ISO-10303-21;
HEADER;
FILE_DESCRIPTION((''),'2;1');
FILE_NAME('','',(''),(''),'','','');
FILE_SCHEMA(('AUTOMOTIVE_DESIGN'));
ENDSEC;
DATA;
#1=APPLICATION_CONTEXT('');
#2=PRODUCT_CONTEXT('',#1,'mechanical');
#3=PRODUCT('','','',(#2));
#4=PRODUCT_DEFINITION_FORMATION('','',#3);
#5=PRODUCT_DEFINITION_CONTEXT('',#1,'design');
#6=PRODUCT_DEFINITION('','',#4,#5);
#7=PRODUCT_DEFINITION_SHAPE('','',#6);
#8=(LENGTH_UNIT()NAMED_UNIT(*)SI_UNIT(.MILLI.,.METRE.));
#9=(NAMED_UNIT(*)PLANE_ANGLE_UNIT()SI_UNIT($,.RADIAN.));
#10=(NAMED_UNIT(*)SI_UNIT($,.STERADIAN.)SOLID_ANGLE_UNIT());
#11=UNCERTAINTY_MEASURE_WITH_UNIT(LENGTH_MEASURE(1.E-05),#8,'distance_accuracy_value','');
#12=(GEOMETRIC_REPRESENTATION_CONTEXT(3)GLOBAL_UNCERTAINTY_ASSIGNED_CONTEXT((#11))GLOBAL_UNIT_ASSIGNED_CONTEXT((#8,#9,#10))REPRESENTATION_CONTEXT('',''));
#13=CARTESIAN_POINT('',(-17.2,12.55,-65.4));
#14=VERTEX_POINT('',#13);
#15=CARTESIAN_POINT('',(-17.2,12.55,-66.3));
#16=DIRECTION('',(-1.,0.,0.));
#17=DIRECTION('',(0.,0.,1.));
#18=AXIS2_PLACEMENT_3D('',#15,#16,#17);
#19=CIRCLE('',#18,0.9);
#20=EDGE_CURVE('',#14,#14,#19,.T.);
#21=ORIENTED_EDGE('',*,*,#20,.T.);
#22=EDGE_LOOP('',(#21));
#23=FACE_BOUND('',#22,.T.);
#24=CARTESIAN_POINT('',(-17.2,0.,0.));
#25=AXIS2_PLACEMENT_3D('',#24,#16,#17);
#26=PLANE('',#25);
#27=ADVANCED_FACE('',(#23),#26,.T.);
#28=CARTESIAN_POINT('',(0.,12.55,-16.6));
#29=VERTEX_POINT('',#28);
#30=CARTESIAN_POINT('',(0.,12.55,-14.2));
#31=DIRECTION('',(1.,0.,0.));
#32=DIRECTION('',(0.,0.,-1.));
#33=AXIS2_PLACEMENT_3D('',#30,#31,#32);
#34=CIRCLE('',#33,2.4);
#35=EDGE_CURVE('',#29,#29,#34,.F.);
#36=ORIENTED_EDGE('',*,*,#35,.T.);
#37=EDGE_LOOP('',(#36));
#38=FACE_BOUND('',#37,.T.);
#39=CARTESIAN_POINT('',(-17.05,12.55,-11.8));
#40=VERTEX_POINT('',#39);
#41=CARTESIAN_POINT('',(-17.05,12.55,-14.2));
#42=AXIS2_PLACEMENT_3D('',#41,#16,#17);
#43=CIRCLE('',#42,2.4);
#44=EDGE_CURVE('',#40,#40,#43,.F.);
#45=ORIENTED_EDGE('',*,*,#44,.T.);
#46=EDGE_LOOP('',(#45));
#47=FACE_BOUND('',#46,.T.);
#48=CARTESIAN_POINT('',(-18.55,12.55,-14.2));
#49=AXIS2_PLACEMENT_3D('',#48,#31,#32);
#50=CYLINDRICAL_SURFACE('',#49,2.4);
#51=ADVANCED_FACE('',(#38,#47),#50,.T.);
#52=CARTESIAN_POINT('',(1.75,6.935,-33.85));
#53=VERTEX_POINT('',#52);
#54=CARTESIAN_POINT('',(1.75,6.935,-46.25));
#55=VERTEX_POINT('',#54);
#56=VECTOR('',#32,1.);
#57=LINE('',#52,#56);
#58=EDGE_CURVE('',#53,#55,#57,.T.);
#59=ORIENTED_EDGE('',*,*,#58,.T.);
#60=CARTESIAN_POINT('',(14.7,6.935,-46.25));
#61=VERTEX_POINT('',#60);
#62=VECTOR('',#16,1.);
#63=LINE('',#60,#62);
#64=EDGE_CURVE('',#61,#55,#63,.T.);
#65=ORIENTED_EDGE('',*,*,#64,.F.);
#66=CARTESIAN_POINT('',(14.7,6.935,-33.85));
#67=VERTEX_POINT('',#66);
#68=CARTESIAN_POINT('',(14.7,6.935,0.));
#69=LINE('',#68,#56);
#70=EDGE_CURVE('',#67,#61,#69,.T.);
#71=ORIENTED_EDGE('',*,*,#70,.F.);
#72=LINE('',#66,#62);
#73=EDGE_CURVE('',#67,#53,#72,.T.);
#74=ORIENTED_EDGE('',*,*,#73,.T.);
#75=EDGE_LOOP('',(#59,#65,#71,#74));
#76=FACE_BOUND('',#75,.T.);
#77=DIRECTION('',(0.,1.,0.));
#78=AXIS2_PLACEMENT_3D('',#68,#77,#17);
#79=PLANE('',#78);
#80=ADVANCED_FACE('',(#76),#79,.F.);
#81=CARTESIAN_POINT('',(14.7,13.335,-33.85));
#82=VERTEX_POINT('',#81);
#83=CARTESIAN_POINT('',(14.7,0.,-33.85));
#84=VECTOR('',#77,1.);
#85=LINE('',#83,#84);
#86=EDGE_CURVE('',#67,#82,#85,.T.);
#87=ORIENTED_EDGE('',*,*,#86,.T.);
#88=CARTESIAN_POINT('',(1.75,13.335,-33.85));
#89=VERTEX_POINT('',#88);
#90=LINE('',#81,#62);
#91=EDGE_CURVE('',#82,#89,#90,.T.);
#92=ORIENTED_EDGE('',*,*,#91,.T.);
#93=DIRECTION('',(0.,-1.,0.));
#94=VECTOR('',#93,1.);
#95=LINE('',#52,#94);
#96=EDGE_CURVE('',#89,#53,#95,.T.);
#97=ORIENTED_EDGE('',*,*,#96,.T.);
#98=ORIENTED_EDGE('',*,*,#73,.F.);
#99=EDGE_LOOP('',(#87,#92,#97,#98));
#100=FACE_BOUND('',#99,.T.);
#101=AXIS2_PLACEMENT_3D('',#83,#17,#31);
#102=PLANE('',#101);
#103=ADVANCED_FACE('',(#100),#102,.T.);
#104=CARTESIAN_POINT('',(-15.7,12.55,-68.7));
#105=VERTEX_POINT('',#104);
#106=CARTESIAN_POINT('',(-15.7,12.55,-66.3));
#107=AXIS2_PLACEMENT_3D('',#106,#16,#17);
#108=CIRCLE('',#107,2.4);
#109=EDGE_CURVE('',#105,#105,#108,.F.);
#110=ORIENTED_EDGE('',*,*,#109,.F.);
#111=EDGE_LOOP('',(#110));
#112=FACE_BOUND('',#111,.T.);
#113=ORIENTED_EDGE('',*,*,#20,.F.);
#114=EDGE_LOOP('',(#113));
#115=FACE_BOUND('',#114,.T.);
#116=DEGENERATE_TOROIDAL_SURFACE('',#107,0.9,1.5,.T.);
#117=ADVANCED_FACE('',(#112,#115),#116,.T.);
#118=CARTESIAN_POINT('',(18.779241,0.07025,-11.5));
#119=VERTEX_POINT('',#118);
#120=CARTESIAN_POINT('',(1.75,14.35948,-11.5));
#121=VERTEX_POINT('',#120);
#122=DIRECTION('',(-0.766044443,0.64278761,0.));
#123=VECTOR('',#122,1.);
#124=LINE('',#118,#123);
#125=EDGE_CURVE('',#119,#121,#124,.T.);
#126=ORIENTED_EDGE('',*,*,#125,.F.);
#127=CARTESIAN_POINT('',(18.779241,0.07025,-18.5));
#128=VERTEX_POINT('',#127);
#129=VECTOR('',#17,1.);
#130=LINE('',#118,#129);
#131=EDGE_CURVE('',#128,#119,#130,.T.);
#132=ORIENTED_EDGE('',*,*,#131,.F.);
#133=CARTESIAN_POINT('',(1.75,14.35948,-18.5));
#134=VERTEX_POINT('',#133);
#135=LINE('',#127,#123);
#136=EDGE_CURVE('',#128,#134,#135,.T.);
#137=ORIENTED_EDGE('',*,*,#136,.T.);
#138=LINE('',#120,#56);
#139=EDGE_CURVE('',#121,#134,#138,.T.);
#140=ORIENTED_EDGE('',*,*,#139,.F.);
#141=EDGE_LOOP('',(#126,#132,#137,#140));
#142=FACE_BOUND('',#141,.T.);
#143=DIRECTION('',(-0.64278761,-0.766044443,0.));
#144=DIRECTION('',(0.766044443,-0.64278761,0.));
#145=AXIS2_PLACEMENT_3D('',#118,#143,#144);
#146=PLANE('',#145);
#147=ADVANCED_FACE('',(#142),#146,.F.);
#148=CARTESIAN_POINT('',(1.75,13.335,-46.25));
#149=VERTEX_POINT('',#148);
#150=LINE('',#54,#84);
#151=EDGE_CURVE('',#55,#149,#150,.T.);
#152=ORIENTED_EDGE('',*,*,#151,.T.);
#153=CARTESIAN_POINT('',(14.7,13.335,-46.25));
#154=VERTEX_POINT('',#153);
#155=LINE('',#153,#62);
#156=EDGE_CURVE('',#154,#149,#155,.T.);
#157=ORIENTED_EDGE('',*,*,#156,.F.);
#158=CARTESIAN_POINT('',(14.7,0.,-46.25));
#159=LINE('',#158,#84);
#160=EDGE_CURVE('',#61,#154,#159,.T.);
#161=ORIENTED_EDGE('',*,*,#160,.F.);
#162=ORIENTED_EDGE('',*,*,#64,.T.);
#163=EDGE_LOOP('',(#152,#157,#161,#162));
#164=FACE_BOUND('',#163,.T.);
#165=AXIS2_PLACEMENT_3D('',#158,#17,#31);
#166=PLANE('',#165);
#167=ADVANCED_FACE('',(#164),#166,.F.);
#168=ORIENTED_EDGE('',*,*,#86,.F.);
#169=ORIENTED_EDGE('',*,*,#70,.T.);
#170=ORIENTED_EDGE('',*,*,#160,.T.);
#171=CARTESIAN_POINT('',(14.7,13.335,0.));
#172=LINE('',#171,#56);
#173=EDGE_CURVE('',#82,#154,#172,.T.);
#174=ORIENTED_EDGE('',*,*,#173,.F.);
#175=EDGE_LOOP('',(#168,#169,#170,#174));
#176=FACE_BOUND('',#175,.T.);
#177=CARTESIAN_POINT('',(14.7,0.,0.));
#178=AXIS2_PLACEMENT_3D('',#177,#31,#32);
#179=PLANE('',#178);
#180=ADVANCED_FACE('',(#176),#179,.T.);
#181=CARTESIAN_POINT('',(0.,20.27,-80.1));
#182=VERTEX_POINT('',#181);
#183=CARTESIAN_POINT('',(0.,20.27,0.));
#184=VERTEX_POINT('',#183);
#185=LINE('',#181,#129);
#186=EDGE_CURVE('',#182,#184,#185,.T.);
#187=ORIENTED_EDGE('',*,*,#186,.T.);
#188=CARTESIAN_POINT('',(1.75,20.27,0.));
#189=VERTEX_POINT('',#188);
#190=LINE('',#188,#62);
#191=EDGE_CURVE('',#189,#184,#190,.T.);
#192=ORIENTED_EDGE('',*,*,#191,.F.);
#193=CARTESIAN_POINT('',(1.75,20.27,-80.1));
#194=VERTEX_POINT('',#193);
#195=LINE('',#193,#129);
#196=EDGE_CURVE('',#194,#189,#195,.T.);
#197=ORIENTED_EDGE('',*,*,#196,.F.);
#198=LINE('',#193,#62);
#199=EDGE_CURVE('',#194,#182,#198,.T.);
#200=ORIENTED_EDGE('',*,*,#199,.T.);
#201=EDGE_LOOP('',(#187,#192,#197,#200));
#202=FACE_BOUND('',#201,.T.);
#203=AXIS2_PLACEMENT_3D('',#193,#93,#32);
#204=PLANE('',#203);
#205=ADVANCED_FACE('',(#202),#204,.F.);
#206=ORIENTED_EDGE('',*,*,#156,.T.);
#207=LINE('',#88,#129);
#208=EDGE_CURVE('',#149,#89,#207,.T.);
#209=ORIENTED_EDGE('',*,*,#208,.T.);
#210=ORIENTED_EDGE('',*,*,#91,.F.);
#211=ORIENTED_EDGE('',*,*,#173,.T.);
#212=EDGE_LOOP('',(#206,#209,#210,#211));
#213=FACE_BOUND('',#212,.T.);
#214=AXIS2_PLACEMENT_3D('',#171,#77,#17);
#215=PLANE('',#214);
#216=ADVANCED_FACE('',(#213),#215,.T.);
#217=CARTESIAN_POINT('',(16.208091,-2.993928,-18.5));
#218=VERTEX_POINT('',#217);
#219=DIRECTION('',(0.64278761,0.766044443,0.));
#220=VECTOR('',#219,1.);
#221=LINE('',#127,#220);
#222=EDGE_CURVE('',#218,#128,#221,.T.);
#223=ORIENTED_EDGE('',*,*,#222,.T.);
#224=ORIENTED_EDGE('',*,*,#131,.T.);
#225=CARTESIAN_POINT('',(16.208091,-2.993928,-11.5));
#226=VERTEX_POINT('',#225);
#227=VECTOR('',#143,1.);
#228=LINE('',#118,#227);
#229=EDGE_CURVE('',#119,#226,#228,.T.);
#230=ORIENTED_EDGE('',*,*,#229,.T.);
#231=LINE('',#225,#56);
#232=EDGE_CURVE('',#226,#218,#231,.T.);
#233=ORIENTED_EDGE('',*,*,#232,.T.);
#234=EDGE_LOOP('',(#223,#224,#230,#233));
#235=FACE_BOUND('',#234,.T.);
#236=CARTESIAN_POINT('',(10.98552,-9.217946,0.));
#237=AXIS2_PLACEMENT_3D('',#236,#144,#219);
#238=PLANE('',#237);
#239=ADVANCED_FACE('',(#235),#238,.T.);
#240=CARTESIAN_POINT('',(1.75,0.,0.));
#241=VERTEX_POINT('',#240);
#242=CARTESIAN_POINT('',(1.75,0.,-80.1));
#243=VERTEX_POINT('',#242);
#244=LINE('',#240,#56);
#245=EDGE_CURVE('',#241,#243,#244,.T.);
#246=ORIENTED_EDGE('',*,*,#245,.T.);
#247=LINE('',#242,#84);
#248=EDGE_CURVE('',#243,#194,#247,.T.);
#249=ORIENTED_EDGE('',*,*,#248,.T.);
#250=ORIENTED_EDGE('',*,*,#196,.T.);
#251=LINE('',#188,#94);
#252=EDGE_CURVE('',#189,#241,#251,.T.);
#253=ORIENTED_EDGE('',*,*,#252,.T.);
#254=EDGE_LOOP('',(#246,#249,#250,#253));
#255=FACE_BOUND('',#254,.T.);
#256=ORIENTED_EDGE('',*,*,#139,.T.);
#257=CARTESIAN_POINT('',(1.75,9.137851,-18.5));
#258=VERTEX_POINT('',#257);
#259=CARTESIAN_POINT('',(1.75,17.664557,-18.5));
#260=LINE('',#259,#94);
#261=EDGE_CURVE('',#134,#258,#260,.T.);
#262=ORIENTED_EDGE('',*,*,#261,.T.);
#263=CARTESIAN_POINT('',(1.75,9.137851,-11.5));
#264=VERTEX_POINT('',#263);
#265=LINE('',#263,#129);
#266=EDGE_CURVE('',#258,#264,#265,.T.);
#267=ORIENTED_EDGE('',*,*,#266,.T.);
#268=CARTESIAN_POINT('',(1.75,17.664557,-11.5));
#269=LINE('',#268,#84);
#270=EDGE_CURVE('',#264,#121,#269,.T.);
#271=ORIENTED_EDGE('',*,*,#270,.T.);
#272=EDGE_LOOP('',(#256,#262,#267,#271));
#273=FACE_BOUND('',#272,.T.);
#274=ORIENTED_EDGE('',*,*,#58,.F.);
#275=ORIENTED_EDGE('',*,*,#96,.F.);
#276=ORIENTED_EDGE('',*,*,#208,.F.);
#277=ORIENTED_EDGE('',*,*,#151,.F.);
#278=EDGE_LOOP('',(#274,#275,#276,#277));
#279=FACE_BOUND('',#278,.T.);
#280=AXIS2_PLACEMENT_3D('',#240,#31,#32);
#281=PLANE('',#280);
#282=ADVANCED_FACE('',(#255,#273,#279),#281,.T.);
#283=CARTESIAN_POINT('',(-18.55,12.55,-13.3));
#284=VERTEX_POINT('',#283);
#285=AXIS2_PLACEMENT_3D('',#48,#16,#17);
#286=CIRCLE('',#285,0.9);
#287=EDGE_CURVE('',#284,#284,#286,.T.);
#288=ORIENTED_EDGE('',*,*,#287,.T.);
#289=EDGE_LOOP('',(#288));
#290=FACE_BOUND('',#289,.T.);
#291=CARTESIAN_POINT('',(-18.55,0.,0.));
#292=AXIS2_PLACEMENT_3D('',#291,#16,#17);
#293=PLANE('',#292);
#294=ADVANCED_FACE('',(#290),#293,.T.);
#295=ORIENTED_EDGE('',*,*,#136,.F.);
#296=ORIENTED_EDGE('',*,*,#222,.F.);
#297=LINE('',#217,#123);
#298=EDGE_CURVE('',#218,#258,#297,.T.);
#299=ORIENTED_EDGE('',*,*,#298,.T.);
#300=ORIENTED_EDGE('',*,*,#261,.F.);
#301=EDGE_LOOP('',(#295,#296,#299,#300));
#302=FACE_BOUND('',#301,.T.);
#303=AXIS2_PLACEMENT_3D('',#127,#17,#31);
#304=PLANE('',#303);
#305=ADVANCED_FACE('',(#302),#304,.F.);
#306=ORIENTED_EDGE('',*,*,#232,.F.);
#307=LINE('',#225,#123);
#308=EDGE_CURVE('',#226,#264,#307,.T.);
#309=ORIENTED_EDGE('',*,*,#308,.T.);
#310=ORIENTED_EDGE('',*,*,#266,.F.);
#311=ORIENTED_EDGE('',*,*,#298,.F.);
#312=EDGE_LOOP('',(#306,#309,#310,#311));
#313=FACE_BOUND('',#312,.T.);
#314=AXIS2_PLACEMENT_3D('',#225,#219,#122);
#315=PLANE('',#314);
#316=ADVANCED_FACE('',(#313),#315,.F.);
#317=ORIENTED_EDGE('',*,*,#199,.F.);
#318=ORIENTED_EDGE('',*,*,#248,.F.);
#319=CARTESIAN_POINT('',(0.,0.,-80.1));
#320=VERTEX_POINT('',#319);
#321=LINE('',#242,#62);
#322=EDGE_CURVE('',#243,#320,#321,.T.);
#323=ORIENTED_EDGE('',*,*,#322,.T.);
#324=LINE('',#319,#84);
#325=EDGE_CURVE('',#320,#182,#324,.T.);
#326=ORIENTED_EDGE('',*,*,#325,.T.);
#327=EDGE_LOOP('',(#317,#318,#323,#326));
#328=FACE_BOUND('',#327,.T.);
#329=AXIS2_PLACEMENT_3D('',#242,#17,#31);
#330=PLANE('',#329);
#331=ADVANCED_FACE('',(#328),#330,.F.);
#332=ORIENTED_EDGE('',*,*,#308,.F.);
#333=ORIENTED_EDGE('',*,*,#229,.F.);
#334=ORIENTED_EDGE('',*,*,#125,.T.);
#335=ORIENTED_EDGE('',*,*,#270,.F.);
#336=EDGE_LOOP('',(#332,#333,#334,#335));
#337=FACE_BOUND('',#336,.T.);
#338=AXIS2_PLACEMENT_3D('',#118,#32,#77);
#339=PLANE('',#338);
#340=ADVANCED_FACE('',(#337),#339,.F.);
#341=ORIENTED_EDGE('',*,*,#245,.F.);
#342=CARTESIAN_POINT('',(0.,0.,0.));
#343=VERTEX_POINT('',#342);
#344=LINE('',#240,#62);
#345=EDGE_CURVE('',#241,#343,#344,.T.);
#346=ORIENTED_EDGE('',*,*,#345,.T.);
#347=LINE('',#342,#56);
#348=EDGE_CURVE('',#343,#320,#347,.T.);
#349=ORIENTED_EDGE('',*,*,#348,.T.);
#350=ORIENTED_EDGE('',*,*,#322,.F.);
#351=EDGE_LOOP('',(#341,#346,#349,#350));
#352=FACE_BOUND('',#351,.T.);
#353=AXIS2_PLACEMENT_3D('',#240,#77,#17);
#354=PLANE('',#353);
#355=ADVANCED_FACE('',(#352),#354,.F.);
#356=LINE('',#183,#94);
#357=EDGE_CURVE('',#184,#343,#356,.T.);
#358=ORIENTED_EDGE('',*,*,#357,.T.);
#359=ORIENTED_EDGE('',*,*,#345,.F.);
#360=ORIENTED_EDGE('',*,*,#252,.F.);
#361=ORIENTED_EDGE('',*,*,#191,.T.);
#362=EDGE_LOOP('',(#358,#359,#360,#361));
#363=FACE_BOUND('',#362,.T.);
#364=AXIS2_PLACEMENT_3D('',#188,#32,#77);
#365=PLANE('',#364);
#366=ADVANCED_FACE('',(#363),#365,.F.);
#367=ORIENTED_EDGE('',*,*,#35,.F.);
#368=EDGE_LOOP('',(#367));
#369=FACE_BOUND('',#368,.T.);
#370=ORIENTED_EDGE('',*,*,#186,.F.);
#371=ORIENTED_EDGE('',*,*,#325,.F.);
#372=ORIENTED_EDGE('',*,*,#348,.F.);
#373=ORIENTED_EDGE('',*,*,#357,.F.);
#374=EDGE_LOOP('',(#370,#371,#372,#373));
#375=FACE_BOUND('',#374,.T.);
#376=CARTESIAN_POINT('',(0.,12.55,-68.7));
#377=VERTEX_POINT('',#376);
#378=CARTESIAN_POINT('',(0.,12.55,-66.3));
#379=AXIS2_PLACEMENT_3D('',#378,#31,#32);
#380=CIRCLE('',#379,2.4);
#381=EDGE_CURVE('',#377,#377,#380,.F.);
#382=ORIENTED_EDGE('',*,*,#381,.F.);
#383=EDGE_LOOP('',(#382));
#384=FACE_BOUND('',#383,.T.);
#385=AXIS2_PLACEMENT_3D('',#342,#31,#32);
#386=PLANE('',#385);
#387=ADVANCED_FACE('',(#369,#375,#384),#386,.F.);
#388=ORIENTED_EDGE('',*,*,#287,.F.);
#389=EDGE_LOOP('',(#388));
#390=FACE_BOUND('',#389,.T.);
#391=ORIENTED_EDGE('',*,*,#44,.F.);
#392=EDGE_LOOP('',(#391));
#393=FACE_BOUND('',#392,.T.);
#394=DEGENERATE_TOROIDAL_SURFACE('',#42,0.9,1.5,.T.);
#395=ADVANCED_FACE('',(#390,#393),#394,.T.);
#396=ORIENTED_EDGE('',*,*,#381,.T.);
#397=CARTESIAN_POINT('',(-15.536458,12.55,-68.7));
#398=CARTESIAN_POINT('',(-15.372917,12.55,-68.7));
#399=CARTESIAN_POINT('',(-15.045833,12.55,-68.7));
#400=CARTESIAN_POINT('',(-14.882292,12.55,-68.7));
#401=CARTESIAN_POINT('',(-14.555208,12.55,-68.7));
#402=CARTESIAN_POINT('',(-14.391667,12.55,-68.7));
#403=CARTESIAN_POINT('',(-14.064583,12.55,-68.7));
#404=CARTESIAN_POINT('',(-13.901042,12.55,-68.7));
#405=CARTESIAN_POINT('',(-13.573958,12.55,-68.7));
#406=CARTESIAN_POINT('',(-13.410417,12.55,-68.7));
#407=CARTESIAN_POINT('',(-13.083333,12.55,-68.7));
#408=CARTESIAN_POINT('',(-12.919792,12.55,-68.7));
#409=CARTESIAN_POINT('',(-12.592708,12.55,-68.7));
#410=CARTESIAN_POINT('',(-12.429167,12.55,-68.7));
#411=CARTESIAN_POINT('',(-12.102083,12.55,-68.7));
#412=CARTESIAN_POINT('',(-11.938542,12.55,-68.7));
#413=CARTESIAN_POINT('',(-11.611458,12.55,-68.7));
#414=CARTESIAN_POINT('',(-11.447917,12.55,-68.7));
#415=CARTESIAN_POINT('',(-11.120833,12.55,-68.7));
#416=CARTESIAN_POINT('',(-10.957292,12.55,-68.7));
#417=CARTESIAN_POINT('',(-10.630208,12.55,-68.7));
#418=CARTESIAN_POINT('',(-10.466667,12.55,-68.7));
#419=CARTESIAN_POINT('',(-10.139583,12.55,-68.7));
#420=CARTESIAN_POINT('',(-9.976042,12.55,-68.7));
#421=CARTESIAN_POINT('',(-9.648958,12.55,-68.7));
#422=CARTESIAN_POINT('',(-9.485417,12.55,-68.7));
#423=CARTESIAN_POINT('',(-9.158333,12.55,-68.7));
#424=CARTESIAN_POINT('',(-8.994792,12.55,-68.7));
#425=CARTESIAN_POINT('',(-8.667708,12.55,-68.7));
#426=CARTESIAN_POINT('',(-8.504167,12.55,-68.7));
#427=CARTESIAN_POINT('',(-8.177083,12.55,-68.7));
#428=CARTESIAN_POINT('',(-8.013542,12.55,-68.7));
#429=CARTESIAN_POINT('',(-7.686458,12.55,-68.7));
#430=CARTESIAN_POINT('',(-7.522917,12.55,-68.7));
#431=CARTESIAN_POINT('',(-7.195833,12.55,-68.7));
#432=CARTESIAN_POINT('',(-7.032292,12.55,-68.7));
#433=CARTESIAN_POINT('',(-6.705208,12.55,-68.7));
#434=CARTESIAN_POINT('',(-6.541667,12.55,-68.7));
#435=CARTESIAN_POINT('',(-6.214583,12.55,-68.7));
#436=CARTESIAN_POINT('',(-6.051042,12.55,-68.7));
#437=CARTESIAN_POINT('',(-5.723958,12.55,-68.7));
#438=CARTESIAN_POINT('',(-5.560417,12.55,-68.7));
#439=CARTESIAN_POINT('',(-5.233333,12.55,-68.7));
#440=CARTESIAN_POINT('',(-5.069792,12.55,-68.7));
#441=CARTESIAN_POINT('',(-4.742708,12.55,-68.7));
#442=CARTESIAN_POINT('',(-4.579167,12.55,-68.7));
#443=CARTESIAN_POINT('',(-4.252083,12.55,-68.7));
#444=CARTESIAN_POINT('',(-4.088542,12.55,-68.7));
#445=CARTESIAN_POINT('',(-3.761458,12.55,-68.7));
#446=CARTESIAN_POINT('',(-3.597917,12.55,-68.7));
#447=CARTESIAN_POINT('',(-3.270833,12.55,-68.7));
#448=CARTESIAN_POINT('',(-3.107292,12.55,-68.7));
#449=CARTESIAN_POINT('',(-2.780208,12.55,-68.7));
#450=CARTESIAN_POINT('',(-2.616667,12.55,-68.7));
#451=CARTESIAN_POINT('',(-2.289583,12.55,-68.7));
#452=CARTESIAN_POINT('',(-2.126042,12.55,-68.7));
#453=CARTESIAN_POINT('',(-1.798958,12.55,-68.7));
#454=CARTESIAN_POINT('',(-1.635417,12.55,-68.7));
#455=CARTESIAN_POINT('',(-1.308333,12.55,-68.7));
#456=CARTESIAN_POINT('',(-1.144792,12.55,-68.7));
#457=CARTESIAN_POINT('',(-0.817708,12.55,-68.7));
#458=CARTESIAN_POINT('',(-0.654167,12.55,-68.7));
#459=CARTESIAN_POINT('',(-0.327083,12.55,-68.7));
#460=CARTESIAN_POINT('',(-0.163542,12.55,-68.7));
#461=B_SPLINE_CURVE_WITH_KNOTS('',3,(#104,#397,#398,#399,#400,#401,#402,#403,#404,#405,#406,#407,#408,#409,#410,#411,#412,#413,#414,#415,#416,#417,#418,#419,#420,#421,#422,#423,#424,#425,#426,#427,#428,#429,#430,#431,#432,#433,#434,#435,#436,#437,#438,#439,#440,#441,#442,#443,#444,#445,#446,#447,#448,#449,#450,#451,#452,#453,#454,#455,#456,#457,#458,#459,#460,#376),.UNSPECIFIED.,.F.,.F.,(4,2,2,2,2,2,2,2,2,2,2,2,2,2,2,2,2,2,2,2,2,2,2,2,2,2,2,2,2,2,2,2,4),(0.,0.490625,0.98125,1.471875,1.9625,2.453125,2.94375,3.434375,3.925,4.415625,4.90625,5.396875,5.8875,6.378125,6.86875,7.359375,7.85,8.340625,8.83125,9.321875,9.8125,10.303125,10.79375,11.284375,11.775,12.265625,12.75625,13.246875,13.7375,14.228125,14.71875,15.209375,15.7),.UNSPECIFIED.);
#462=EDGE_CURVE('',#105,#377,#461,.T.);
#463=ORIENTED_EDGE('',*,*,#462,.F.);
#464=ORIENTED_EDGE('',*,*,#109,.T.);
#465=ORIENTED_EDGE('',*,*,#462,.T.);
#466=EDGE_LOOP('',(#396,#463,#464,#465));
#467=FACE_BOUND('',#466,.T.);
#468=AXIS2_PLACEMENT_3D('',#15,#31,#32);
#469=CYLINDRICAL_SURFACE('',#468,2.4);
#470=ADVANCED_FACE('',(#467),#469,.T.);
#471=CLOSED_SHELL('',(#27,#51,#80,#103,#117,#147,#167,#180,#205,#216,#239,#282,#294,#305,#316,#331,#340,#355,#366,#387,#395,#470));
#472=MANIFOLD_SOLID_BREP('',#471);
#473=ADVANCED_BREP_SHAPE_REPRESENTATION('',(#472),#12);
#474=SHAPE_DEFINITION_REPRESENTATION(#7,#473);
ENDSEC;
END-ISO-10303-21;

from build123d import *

# Parameters (mm, degrees)
SKETCH1_W                       = 80.1
SKETCH1_H                       = 20.27
SKETCH1_W_2                     = 12.4
SKETCH1_H_2                     = 6.4
BOSS_EXTRUDE1_DEPTH             = 1.75
SKETCH1_2_W                     = 12.4
SKETCH1_2_H                     = 6.4
BOSS_EXTRUDE2_DEPTH             = 14.7
BOSS_EXTRUDE3_REACH             = 85.961
SKETCH2_W                       = 7
SKETCH2_H                       = 4
BOSS_EXTRUDE3_DIRECTION_2_DEPTH = 13
SKETCH3_R                       = 2.4
BOSS_EXTRUDE4_DEPTH             = 18.55
SKETCH3_3_R                     = 2.4
BOSS_EXTRUDE5_DEPTH             = 17.2
FILLET1_R                       = 1.5


with BuildPart() as part:
    # Sketch1 → Boss-Extrude1 (new body)
    with BuildSketch(Plane(origin=(0, 0, 0), x_dir=(0, 0, -1), z_dir=(1, 0, 0))):
        with Locations((40.05, 10.135)):
            Rectangle(SKETCH1_W, SKETCH1_H)
        with Locations((40.05, 10.135)):
            Rectangle(SKETCH1_W_2, SKETCH1_H_2, mode=Mode.SUBTRACT)
    extrude(amount=BOSS_EXTRUDE1_DEPTH)

    # Sketch1<2> → Boss-Extrude2 (add)
    with BuildSketch(Plane(origin=(0, 0, 0), x_dir=(0, 0, -1), z_dir=(1, 0, 0))):
        with Locations((40.05, 10.135)):
            Rectangle(SKETCH1_2_W, SKETCH1_2_H)
    extrude(amount=BOSS_EXTRUDE2_DEPTH)

    # Boss-Extrude3: up to this plane
    boss_extrude3_end = Plane(origin=(1.75, 0, 0), z_dir=(1, 0, 0))
    # Sketch2 → Boss-Extrude3 (add, up to the surface)
    with BuildSketch(Plane(origin=(1.026942155, -0.861706784, 0), x_dir=(0, 0, -1), z_dir=(0.7660444431189771, -0.6427876096865406, 0)), mode=Mode.PRIVATE) as boss_extrude3_sk1:
        with Locations((15, 10.124878317)):
            Rectangle(SKETCH2_W, SKETCH2_H)
    boss_extrude3_tool1 = split(extrude(boss_extrude3_sk1.sketch, amount=-BOSS_EXTRUDE3_REACH, mode=Mode.PRIVATE), bisect_by=boss_extrude3_end, keep=Keep.BOTH, mode=Mode.PRIVATE)
    add(boss_extrude3_tool1.solids().sort_by_distance((7.535088, 6.8944, -15))[0])

    # Sketch2 → Boss-Extrude3 direction 2 (add)
    with BuildSketch(Plane(origin=(1.026942155, -0.861706784, 0), x_dir=(0, 0, -1), z_dir=(0.7660444431189771, -0.6427876096865406, 0))):
        with Locations((15, 10.124878317)):
            Rectangle(SKETCH2_W, SKETCH2_H)
    extrude(amount=BOSS_EXTRUDE3_DIRECTION_2_DEPTH)

    # Sketch3 → Boss-Extrude4 (add)
    with BuildSketch(Plane.ZY):
        with Locations(Location((-14.2, 12.55, 0), (0, 0, 180))):
            Circle(SKETCH3_R)
    extrude(amount=BOSS_EXTRUDE4_DEPTH)

    # Sketch3<3> → Boss-Extrude5 (add)
    with BuildSketch(Plane.ZY):
        with Locations(Location((-66.3, 12.55, 0), (0, 0, 180))):
            Circle(SKETCH3_3_R)
    extrude(amount=BOSS_EXTRUDE5_DEPTH)

    # Fillet1
    fillet1_edges = [part.edges().sort_by_distance(p)[0] for p in [
        (-18.55, 12.55, -11.8),
        (-17.2, 12.55, -63.9),
    ]]
    fillet(fillet1_edges, radius=FILLET1_R)


solid = part.part
